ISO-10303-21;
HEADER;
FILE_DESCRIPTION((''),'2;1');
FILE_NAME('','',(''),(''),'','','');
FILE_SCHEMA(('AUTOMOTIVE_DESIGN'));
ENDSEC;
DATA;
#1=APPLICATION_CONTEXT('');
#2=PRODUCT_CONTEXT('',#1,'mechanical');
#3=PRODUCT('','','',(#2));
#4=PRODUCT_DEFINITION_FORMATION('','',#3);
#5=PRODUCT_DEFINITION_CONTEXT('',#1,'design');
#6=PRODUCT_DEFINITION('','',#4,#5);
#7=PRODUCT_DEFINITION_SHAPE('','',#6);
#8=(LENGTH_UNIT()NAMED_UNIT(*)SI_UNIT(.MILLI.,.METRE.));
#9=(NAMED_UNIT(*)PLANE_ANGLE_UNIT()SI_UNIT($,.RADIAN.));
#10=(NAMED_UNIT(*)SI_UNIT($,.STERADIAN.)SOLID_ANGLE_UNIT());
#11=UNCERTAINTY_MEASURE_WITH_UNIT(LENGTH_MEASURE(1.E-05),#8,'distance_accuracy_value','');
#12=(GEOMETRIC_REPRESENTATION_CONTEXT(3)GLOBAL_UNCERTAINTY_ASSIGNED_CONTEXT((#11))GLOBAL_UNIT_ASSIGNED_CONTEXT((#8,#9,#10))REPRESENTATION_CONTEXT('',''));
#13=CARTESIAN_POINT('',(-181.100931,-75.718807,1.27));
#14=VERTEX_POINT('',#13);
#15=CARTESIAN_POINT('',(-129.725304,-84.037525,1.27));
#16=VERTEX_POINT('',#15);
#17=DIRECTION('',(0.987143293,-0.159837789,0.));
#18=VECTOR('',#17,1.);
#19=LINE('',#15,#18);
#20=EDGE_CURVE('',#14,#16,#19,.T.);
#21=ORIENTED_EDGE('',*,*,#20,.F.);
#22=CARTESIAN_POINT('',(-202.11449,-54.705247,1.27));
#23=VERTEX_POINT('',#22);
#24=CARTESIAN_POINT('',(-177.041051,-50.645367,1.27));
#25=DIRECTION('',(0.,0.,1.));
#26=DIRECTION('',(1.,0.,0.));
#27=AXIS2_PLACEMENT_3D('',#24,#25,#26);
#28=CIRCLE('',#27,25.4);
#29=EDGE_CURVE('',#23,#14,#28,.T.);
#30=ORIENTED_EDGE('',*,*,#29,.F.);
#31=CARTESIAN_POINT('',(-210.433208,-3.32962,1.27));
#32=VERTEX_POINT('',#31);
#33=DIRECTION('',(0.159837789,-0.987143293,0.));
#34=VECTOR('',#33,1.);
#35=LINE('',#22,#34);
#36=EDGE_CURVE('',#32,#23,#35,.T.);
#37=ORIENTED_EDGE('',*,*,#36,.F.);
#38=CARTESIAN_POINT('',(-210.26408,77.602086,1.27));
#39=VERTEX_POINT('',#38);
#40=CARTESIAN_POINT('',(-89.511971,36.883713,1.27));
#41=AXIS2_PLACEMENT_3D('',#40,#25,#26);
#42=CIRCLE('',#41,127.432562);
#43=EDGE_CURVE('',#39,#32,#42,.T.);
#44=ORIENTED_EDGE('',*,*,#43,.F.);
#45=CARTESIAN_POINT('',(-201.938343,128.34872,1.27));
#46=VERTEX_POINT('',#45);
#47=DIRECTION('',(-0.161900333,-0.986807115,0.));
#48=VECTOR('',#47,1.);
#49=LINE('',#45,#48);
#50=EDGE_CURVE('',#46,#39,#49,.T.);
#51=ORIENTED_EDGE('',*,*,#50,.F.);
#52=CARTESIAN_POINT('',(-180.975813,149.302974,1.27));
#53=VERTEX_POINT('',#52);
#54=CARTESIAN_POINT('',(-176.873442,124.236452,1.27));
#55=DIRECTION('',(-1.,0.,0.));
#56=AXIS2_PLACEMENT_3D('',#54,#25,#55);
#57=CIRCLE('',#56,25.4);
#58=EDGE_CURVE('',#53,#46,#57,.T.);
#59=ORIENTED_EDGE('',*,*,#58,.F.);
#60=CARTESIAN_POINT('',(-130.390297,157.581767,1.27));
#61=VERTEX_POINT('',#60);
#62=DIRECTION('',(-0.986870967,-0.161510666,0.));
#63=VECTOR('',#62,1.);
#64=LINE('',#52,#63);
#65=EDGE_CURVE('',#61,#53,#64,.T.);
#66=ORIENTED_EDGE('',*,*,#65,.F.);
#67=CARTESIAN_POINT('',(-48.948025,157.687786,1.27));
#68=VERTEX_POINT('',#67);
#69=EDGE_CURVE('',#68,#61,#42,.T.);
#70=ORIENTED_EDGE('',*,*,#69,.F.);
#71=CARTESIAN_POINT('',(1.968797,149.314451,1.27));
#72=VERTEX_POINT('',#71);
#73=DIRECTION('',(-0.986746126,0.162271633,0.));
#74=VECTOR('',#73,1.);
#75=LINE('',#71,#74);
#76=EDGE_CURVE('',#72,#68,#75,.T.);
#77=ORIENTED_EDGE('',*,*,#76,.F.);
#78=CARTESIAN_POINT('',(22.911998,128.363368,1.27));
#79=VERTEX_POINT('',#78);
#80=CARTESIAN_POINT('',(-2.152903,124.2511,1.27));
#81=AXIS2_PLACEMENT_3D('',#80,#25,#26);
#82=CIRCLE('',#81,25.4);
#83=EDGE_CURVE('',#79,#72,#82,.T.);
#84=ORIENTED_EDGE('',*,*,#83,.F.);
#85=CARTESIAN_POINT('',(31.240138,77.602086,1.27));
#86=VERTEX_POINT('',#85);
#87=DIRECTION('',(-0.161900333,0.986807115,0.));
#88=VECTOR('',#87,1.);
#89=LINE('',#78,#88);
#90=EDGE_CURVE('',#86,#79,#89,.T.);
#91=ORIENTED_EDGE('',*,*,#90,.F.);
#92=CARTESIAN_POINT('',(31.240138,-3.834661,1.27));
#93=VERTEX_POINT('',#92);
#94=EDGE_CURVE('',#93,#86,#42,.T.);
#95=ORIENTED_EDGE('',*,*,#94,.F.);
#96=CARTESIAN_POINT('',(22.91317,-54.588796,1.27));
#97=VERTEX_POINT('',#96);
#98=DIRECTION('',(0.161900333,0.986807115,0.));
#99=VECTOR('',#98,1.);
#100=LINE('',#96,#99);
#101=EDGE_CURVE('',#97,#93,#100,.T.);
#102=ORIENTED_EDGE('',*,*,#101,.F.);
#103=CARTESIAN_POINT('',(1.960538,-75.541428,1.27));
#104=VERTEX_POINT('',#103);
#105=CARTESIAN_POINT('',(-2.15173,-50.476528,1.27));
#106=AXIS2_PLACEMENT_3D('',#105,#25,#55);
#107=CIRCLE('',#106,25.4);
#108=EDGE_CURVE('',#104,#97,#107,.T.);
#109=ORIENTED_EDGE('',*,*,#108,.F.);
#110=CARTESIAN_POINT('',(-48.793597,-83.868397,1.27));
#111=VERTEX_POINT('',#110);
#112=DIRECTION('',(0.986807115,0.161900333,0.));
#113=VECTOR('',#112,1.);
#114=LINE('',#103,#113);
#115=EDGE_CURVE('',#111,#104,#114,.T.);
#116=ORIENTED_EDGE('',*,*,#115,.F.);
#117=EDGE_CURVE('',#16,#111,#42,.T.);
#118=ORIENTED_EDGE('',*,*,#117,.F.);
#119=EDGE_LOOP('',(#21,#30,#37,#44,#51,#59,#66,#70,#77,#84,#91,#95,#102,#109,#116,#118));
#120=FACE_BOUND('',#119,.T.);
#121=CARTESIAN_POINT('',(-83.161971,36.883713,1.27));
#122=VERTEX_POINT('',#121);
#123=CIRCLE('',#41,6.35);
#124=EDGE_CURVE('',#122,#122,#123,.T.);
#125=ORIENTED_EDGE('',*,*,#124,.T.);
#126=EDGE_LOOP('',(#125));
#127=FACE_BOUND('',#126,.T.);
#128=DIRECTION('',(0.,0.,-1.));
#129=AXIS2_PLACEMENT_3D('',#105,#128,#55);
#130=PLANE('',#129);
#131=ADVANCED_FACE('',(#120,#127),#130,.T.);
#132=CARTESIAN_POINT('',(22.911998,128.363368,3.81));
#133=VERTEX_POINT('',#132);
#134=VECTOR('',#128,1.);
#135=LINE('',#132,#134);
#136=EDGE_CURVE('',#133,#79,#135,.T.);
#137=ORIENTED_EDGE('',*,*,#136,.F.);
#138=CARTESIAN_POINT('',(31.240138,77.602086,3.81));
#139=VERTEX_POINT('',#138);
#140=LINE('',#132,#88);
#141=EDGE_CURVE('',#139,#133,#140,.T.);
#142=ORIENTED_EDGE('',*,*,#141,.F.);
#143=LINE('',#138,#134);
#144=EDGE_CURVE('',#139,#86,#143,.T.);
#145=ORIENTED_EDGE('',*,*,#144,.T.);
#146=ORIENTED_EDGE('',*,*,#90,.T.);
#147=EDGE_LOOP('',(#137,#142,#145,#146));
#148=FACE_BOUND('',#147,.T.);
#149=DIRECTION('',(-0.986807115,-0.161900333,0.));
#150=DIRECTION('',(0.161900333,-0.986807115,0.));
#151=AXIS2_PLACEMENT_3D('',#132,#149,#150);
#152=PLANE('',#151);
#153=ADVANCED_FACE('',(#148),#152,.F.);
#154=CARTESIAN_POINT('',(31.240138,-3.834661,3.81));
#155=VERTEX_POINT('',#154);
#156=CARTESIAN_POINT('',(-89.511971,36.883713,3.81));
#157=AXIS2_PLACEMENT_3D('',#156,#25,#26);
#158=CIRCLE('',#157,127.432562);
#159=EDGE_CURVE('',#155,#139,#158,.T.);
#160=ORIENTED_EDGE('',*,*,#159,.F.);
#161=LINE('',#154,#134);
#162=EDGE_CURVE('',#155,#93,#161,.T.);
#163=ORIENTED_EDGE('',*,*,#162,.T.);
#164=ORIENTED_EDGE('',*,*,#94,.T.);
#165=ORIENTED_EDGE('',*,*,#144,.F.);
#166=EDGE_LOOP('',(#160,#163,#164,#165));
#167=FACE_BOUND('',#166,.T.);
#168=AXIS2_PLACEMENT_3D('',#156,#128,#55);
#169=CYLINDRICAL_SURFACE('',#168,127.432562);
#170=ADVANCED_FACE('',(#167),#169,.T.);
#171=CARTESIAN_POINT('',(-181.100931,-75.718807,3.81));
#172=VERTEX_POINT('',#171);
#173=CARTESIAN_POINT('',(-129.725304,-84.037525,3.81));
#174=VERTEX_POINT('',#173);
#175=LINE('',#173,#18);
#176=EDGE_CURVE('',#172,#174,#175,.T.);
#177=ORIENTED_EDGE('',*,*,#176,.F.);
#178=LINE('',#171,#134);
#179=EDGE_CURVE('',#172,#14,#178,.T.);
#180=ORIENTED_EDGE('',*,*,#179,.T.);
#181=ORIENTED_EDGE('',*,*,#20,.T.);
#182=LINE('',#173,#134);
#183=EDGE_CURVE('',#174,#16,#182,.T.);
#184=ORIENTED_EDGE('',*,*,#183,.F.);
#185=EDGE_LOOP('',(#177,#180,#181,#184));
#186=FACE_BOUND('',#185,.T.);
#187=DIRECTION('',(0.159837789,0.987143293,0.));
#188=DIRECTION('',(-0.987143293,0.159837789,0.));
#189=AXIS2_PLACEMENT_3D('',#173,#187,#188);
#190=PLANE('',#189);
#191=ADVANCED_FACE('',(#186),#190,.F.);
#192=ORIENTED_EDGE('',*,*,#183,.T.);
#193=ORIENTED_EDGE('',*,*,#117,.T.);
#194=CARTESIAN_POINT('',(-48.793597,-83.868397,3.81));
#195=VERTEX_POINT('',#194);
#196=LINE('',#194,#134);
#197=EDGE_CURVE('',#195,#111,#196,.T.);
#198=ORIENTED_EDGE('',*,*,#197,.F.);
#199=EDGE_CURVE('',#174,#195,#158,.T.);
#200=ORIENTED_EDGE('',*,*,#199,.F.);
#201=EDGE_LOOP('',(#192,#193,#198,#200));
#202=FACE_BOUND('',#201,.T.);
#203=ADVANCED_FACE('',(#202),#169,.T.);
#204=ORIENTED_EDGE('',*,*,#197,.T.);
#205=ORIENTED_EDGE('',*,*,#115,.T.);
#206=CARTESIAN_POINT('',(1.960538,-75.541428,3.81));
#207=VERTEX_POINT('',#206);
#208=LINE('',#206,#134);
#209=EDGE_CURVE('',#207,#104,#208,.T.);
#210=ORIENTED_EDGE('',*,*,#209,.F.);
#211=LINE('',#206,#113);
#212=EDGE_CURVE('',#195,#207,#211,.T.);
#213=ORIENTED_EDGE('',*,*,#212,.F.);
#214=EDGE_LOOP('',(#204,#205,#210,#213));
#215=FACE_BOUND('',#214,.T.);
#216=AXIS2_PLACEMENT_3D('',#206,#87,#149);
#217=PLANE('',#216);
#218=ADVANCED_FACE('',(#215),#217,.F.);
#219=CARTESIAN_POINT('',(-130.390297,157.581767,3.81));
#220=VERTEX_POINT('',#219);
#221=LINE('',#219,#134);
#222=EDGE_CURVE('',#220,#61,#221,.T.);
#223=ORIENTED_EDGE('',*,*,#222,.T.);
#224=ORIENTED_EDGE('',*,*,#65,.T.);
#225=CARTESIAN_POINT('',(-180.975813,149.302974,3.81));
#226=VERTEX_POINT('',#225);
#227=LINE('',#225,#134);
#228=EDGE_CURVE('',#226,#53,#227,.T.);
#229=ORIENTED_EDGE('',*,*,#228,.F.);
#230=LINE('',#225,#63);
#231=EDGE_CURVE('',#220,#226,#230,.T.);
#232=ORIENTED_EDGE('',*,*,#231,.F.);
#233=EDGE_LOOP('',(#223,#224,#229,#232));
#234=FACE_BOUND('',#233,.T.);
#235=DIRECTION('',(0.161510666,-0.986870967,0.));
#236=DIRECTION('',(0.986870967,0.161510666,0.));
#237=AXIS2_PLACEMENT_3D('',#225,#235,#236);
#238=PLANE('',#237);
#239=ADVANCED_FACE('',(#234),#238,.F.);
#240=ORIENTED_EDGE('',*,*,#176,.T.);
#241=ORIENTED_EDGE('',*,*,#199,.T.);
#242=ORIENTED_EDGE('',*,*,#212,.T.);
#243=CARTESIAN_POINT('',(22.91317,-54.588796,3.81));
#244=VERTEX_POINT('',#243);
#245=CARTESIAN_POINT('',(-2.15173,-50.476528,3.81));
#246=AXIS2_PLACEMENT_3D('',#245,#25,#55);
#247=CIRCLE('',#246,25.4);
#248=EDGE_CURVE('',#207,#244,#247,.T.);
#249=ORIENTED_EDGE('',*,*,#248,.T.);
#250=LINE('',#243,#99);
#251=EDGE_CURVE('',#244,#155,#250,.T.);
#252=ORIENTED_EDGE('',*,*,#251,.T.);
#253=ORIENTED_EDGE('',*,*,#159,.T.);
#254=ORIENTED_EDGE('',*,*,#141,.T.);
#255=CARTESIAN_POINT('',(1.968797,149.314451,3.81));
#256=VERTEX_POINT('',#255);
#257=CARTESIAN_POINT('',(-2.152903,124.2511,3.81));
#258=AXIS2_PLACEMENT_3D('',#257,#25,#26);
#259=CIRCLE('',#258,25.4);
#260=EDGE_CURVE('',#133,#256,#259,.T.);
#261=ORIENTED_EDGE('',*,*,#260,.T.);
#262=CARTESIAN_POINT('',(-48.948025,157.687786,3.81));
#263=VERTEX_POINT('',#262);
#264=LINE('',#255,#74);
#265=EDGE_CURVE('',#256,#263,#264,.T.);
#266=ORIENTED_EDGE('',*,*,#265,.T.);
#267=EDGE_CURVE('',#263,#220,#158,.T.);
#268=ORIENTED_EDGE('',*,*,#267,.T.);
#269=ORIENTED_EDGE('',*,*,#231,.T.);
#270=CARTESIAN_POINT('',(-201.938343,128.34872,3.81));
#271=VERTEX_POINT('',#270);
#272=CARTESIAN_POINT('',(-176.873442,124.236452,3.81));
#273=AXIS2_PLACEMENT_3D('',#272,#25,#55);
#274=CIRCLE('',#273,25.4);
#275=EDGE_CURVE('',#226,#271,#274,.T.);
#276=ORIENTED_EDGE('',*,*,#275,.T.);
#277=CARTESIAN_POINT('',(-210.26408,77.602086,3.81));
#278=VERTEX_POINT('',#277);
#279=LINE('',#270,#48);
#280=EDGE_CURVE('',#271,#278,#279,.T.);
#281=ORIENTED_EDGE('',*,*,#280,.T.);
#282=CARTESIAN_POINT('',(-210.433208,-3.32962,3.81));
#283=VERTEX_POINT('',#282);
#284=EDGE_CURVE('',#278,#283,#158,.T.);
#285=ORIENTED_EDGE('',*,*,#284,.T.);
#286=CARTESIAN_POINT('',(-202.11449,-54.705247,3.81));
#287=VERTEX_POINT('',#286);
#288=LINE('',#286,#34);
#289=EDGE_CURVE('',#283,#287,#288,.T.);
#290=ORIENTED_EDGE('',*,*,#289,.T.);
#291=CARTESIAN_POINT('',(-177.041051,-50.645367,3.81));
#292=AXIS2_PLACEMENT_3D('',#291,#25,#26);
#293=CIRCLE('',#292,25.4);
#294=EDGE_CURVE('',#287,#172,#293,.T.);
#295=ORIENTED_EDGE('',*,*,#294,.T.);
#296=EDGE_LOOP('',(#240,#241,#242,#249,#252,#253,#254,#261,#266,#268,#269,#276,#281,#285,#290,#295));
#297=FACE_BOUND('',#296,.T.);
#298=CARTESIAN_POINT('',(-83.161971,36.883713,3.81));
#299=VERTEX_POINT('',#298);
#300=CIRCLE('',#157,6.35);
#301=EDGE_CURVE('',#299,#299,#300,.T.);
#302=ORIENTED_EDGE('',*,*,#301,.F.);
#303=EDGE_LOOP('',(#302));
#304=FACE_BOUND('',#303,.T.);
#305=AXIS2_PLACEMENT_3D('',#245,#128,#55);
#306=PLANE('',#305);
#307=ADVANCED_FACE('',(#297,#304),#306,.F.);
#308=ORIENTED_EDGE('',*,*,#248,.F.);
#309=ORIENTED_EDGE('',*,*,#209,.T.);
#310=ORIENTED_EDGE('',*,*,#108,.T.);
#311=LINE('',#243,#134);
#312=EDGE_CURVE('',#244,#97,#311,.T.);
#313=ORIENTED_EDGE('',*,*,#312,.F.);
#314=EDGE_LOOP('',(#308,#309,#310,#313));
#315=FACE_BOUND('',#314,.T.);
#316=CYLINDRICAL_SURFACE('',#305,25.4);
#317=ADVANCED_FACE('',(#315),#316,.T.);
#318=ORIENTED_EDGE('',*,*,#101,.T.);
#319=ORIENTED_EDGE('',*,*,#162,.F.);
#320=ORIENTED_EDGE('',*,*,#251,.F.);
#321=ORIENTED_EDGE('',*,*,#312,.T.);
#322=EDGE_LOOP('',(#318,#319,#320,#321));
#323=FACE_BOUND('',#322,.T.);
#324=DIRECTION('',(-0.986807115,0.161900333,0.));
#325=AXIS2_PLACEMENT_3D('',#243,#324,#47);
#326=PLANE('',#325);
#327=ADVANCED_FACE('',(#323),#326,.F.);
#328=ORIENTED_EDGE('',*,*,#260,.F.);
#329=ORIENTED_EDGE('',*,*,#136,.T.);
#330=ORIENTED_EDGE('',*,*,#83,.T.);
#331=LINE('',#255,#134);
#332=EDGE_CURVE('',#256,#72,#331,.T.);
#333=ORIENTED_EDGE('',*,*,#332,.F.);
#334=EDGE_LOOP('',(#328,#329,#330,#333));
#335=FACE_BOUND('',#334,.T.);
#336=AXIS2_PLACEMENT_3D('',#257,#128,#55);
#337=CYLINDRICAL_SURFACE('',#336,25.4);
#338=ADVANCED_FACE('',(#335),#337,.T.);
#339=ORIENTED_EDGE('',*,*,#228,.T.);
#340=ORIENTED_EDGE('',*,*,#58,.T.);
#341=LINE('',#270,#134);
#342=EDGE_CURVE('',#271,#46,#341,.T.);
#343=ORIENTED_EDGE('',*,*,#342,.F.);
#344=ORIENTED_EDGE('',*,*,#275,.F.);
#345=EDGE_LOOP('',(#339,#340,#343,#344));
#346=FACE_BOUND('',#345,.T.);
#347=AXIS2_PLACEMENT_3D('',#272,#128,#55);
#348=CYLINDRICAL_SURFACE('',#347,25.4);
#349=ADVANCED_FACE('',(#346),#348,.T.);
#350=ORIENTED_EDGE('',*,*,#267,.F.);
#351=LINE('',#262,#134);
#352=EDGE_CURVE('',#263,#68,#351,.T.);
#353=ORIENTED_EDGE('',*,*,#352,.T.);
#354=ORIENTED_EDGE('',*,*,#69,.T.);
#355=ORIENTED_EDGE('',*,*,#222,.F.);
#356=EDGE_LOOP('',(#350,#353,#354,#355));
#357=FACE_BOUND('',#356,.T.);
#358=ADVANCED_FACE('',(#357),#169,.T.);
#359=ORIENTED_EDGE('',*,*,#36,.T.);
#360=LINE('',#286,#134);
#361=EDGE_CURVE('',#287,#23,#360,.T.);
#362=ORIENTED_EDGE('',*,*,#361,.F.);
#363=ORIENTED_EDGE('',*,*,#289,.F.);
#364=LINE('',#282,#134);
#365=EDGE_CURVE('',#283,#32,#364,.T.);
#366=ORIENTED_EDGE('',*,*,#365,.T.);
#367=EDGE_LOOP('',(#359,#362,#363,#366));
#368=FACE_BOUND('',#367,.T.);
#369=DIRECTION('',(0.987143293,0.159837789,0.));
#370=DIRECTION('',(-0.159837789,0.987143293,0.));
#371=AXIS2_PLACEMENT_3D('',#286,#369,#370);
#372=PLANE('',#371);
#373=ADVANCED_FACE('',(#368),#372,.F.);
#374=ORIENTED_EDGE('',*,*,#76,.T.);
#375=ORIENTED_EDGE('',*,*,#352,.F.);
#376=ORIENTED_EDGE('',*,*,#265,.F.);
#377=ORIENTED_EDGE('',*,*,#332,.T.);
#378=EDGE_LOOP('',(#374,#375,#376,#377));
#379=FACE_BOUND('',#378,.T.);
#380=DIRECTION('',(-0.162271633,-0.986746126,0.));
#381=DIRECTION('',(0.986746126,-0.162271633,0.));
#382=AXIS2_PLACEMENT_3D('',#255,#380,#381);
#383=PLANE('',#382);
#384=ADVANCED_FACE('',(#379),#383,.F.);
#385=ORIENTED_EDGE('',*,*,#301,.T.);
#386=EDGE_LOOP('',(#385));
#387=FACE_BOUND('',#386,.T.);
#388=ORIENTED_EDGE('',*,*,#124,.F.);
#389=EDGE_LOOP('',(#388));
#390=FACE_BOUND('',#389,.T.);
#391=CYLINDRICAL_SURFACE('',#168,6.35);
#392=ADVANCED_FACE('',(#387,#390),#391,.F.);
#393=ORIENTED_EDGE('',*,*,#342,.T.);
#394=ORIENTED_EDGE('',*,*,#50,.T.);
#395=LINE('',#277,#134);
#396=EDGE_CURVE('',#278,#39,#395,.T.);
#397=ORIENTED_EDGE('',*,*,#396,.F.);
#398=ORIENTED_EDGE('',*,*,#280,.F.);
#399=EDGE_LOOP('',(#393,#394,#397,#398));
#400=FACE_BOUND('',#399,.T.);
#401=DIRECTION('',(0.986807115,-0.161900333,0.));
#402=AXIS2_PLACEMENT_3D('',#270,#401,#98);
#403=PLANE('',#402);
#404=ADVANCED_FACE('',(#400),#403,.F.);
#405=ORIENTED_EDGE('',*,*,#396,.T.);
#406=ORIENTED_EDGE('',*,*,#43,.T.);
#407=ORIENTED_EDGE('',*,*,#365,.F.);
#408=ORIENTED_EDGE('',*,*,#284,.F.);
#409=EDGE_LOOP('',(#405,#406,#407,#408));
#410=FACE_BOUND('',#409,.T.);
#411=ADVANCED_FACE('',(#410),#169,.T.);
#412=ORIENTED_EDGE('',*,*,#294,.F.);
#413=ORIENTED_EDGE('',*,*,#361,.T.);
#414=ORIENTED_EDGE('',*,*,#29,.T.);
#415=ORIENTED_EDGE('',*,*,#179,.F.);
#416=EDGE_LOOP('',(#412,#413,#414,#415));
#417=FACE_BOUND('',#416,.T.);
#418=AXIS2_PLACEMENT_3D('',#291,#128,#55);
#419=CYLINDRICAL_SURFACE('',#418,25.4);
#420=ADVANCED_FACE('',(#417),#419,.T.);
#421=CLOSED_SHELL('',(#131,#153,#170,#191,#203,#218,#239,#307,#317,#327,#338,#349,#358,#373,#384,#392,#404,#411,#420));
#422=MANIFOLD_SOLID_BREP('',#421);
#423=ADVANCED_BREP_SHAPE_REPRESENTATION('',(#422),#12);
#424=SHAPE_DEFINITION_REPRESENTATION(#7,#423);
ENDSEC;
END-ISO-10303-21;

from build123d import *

# Parameters (mm, degrees)
SKETCH1_R           = 12.7
BOSS_EXTRUDE1_DEPTH = 5.08
SCALE1_SCALE        = 0.5


with BuildPart() as part:
    # Sketch1 → Boss-Extrude1 (new body)
    with BuildSketch(Plane.XY):
        with BuildLine():
            Line((93.467932513, -187.929219557), (-8.040338021, -204.583155787))
            ThreePointArc((-8.040338021, -204.583155787), (-88.944478372, -217.943504644), (-169.903751816, -204.921412232))
            Line((-169.903751816, -204.921412232), (-272.655005044, -188.283976468))
            ThreePointArc((-272.655005044, -188.283976468), (-300.456269849, -174.058121661), (-314.682124657, -146.256856856))
            Line((-314.682124657, -146.256856856), (-331.319560421, -43.505603627))
            ThreePointArc((-331.319560421, -43.505603627), (-344.341652832, 37.453669817), (-330.981303976, 118.357810167))
            Line((-330.981303976, 118.357810167), (-314.329829255, 219.851077431))
            ThreePointArc((-314.329829255, 219.851077431), (-300.11395964, 247.554656272), (-272.404769628, 261.75958564))
            Line((-272.404769628, 261.75958564), (-171.233737428, 278.317171496))
            ThreePointArc((-171.233737428, 278.317171496), (-89.808861292, 291.785970897), (-8.349194575, 278.529209999))
            Line((-8.349194575, 278.529209999), (93.484449571, 261.782540046))
            ThreePointArc((93.484449571, 261.782540046), (121.168832583, 247.570102588), (135.370852074, 219.880373742))
            Line((135.370852074, 219.880373742), (152.027133289, 118.357810167))
            ThreePointArc((152.027133289, 118.357810167), (165.388038657, 36.921062845), (152.027133289, -44.515684477))
            Line((152.027133289, -44.515684477), (135.373197059, -146.023955011))
            ThreePointArc((135.373197059, -146.023955011), (121.164420099, -173.720442597), (93.467932513, -187.929219557))
        make_face()
        with Locations((-89.477085343, 36.921062845)):
            Circle(SKETCH1_R, mode=Mode.SUBTRACT)
    extrude(amount=BOSS_EXTRUDE1_DEPTH)


with BuildPart() as part_1:
    # Scale1: scaled about (-89.546856293, 36.846362698, 2.54)
    add(part.part.scale(SCALE1_SCALE).moved(Location((-44.773428147, 18.423181349, 1.27))))


solid = part_1.part
